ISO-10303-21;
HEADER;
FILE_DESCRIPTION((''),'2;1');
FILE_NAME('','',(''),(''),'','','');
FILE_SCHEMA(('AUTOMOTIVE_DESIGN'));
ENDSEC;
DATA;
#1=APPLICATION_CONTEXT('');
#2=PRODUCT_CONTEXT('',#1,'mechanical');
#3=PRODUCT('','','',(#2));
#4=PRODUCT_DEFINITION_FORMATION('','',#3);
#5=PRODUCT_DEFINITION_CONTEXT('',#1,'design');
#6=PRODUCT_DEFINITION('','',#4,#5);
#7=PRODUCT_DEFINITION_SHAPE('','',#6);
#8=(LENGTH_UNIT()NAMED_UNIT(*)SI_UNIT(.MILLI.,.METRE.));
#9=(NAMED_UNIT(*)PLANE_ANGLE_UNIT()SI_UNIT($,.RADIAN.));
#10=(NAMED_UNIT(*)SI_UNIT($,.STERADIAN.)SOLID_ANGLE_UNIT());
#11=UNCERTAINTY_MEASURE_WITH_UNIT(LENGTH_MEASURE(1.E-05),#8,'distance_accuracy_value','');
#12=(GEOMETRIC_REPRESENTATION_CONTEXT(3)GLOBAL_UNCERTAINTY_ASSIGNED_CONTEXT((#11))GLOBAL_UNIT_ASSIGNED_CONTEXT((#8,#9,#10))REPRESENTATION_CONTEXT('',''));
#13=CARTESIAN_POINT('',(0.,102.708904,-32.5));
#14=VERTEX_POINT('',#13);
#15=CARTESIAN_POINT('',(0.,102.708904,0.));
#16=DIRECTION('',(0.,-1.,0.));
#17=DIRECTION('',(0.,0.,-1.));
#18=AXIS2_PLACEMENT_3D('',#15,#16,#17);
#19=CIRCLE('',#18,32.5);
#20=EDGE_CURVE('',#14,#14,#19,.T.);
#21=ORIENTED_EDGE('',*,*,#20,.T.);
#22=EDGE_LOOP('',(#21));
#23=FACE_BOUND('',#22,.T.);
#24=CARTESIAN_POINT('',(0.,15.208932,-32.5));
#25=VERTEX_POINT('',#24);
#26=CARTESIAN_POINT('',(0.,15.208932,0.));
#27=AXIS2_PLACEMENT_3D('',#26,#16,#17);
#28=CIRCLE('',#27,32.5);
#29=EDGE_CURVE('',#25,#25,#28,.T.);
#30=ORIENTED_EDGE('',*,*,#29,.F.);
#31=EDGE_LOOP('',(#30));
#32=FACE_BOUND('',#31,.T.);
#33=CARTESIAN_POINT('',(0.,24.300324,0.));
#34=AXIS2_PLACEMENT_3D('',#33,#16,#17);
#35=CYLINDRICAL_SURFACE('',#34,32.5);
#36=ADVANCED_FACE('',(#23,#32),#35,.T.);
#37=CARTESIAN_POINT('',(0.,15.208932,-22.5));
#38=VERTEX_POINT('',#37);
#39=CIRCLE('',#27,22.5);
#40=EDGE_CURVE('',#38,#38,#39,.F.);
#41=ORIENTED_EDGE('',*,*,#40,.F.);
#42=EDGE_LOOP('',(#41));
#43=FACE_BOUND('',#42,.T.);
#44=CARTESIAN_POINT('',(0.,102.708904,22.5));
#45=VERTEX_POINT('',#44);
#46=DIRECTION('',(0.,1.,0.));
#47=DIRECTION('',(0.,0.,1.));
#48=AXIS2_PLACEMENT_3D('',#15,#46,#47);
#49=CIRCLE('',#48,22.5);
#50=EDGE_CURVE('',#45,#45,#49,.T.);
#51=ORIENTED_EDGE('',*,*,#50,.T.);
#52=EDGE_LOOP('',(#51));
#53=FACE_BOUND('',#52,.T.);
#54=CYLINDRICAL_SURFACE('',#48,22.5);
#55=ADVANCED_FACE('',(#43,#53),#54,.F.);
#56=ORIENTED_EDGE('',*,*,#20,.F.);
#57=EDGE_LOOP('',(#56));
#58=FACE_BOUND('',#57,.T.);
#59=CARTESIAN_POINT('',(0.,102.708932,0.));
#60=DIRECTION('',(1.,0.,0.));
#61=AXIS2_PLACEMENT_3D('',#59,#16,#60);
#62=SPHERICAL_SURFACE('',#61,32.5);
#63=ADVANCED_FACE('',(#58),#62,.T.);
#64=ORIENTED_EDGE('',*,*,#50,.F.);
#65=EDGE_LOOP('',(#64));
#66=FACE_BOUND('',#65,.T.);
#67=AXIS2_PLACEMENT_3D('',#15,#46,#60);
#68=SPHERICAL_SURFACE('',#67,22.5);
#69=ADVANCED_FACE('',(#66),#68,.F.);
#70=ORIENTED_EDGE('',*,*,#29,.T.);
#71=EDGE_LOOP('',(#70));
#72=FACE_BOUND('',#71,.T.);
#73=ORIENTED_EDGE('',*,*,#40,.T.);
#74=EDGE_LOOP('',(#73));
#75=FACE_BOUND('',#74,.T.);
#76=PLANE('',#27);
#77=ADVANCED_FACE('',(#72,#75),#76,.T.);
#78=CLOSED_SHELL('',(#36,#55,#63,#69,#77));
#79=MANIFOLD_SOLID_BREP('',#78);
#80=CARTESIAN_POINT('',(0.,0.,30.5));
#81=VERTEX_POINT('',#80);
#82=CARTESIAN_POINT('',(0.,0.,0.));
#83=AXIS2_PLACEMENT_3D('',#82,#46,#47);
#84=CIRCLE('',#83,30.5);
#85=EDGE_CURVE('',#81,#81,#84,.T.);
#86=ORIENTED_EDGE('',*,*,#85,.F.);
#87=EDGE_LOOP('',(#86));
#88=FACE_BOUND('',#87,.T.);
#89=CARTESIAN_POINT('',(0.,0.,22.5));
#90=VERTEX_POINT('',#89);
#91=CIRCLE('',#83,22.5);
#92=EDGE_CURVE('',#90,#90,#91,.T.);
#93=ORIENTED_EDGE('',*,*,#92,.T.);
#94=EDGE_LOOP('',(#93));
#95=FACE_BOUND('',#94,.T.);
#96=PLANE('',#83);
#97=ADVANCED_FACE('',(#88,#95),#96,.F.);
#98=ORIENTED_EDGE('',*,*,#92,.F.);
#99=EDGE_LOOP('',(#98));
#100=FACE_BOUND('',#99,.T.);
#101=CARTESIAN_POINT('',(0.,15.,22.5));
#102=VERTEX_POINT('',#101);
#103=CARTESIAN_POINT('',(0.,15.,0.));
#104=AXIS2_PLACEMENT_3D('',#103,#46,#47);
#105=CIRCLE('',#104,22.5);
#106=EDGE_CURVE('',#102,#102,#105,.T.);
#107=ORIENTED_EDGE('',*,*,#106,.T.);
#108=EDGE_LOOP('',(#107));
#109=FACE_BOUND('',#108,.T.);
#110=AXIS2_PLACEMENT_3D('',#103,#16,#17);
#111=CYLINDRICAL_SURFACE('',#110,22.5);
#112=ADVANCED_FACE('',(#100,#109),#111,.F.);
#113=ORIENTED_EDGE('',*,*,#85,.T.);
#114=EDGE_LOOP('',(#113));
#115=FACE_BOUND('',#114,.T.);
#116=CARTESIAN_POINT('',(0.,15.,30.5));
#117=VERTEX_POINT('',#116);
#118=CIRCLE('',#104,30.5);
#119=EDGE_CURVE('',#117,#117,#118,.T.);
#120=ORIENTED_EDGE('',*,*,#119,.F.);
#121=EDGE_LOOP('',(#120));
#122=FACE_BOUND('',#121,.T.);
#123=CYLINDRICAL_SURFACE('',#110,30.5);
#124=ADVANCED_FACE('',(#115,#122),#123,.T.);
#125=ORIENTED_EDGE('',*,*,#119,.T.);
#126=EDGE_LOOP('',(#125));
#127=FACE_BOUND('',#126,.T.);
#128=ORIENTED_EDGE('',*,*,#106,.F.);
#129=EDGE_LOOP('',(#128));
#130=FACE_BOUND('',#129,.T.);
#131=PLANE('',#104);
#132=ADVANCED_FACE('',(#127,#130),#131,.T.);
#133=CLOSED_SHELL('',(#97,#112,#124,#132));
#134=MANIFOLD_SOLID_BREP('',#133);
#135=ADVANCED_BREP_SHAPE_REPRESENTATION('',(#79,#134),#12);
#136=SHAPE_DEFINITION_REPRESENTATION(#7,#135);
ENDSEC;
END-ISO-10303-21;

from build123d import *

# Parameters (mm, degrees)
SKETCH1_R           = 30.5
SKETCH1_R_2         = 22.5
BOSS_EXTRUDE2_DEPTH = 15


with BuildPart() as part:
    # Sketch1 → Boss-Extrude2 (new body)
    with BuildSketch(Plane(origin=(0, 0, 0), x_dir=(1, 0, 0), z_dir=(0, 1, 0))):
        with Locations(Location((0, 0, 0), (0, 0, 270))):
            Circle(SKETCH1_R)
        with Locations(Location((0, 0, 0), (0, 0, 270))):
            Circle(SKETCH1_R_2, mode=Mode.SUBTRACT)
    extrude(amount=BOSS_EXTRUDE2_DEPTH)


with BuildPart() as body_2:
    # Sketch5 → Revolve2 (revolve)
    with BuildSketch(Plane.XY):
        with BuildLine():
            Line((0, 15.208932423), (32.5, 15.208932423))
            Line((32.5, 15.208932423), (32.5, 102.70890373))
            ThreePointArc((32.5, 102.70890373), (22.980980533, 125.689892667), (0, 135.208932423))
            Line((0, 135.208932423), (0, 15.208932423))
        make_face()
    revolve(axis=Axis((0, 24.300324325, 0), (0, 1, 0)))

    # Sketch6 → Cut-Revolve2 (revolve, cut)
    with BuildSketch(Plane.XY):
        with BuildLine():
            Line((22.5, 15), (22.5, 102.70890373))
            ThreePointArc((22.5, 102.70890373), (15.909902577, 118.618806306), (0, 125.20890373))
            Line((0, 125.20890373), (0, 15))
            Line((0, 15), (22.5, 15))
        make_face()
    revolve(axis=Axis((0, 102.70890373, 0), (0, -1, 0)), mode=Mode.SUBTRACT)


solid = Compound([part.part, body_2.part])
